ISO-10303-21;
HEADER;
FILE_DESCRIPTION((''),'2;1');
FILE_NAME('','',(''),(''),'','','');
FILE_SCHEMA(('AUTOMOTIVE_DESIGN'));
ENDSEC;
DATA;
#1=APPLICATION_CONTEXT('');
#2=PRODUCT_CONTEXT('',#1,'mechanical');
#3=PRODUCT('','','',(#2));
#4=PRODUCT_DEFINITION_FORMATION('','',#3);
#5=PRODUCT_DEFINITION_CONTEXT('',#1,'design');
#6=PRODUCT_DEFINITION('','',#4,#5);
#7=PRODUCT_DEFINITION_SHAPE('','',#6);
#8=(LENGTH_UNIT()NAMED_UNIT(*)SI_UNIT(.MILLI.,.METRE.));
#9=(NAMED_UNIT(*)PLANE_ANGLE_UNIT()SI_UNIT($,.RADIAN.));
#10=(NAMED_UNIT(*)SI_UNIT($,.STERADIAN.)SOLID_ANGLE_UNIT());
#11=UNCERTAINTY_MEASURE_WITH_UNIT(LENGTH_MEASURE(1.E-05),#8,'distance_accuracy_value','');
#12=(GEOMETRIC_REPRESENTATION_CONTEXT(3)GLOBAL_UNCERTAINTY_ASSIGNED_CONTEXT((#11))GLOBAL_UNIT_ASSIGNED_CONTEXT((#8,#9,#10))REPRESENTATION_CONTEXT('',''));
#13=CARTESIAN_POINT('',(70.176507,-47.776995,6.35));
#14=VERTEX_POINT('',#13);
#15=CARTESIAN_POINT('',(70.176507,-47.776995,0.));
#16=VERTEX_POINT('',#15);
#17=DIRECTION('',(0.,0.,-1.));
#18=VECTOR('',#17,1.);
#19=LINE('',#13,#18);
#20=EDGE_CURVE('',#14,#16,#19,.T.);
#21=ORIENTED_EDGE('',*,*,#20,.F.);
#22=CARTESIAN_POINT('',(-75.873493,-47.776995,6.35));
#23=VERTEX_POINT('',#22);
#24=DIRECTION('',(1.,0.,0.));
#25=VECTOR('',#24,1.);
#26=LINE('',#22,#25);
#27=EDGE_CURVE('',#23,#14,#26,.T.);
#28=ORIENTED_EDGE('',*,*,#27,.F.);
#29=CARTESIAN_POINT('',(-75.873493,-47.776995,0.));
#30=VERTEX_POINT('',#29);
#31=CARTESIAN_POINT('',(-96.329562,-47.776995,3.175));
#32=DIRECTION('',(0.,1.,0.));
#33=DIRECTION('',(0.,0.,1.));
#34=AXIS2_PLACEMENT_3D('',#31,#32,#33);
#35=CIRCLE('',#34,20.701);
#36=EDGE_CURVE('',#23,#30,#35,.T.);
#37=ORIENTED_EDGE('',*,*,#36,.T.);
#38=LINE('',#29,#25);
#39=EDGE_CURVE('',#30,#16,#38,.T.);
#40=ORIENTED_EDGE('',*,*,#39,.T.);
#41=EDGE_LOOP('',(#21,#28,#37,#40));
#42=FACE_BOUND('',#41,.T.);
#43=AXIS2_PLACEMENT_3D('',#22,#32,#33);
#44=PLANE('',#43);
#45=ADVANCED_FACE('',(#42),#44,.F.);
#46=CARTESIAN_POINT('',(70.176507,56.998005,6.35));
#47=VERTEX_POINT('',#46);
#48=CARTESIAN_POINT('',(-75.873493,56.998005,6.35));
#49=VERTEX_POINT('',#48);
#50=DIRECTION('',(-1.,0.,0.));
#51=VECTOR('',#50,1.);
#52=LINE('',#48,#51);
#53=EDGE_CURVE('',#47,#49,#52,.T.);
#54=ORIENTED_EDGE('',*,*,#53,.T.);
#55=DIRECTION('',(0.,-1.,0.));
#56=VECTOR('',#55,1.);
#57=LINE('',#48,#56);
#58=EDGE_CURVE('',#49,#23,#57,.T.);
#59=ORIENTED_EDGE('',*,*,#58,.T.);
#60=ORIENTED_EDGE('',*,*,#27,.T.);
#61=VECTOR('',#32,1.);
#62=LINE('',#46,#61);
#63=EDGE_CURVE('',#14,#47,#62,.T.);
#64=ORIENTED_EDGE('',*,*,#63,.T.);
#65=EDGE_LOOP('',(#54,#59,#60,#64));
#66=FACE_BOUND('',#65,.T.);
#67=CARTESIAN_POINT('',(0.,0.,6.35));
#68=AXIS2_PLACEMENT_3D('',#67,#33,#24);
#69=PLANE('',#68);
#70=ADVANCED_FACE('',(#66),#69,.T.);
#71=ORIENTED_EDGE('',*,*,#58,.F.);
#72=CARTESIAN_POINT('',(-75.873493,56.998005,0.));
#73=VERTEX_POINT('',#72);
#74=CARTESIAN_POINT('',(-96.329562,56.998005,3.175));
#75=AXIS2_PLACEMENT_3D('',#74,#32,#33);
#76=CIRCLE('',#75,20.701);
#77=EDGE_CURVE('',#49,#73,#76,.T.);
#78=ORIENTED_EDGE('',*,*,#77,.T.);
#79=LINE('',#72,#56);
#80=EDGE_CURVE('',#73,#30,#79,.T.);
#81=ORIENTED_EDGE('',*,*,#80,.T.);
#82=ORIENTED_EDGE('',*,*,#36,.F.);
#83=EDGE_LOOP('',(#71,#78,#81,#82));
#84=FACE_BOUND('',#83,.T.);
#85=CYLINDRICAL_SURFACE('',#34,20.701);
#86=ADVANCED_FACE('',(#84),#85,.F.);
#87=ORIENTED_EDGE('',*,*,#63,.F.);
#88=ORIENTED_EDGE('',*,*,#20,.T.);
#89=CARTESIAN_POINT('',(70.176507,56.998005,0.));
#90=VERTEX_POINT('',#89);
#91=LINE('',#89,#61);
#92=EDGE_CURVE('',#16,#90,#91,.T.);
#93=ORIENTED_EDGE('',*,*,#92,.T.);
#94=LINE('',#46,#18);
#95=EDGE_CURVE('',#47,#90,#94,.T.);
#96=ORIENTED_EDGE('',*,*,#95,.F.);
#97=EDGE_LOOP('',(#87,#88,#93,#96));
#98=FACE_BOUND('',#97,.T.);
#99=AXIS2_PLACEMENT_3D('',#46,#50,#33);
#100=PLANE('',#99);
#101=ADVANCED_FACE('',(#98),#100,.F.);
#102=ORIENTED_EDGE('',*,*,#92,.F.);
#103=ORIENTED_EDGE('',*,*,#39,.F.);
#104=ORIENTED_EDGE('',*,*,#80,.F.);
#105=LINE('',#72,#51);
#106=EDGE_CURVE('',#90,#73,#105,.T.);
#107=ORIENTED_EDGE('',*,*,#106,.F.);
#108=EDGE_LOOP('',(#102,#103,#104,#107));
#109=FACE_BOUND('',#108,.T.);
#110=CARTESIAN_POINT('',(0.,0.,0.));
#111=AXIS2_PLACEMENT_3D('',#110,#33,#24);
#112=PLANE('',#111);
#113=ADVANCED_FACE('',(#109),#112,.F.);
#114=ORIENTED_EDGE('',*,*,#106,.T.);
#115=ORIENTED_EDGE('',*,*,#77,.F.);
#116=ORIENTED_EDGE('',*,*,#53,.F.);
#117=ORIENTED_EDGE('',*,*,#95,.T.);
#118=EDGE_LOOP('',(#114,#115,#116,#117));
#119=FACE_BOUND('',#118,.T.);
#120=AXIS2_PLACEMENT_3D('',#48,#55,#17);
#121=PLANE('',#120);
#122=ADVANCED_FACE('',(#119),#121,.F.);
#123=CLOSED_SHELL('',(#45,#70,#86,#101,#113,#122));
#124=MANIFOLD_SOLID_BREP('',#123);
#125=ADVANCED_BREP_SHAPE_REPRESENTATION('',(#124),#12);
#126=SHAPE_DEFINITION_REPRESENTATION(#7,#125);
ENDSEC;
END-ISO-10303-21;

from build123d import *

# Parameters (mm, degrees)
SKETCH1_W           = 146.05
SKETCH1_H           = 104.775
BOSS_EXTRUDE1_DEPTH = 6.35
CUT_EXTRUDE1_DEPTH  = 105.775


with BuildPart() as part:
    # Sketch1 → Boss-Extrude1 (new body)
    with BuildSketch(Plane.XY):
        with Locations((-2.848492908, 4.610505319)):
            Rectangle(SKETCH1_W, SKETCH1_H)
    extrude(amount=BOSS_EXTRUDE1_DEPTH)

    # Sketch2 → Cut-Extrude1 (cut, through all)
    with BuildSketch(Plane(origin=(0, 56.998005319, 0), x_dir=(1, 0, 0), z_dir=(0, 1, 0))):
        with BuildLine():
            ThreePointArc((-75.873492908, -6.35), (-75.628562325, -3.175), (-75.873492908, 0))
            Line((-75.873492908, 0), (-75.873492908, -6.35))
        make_face()
    extrude(amount=-CUT_EXTRUDE1_DEPTH, mode=Mode.SUBTRACT)


solid = part.part
